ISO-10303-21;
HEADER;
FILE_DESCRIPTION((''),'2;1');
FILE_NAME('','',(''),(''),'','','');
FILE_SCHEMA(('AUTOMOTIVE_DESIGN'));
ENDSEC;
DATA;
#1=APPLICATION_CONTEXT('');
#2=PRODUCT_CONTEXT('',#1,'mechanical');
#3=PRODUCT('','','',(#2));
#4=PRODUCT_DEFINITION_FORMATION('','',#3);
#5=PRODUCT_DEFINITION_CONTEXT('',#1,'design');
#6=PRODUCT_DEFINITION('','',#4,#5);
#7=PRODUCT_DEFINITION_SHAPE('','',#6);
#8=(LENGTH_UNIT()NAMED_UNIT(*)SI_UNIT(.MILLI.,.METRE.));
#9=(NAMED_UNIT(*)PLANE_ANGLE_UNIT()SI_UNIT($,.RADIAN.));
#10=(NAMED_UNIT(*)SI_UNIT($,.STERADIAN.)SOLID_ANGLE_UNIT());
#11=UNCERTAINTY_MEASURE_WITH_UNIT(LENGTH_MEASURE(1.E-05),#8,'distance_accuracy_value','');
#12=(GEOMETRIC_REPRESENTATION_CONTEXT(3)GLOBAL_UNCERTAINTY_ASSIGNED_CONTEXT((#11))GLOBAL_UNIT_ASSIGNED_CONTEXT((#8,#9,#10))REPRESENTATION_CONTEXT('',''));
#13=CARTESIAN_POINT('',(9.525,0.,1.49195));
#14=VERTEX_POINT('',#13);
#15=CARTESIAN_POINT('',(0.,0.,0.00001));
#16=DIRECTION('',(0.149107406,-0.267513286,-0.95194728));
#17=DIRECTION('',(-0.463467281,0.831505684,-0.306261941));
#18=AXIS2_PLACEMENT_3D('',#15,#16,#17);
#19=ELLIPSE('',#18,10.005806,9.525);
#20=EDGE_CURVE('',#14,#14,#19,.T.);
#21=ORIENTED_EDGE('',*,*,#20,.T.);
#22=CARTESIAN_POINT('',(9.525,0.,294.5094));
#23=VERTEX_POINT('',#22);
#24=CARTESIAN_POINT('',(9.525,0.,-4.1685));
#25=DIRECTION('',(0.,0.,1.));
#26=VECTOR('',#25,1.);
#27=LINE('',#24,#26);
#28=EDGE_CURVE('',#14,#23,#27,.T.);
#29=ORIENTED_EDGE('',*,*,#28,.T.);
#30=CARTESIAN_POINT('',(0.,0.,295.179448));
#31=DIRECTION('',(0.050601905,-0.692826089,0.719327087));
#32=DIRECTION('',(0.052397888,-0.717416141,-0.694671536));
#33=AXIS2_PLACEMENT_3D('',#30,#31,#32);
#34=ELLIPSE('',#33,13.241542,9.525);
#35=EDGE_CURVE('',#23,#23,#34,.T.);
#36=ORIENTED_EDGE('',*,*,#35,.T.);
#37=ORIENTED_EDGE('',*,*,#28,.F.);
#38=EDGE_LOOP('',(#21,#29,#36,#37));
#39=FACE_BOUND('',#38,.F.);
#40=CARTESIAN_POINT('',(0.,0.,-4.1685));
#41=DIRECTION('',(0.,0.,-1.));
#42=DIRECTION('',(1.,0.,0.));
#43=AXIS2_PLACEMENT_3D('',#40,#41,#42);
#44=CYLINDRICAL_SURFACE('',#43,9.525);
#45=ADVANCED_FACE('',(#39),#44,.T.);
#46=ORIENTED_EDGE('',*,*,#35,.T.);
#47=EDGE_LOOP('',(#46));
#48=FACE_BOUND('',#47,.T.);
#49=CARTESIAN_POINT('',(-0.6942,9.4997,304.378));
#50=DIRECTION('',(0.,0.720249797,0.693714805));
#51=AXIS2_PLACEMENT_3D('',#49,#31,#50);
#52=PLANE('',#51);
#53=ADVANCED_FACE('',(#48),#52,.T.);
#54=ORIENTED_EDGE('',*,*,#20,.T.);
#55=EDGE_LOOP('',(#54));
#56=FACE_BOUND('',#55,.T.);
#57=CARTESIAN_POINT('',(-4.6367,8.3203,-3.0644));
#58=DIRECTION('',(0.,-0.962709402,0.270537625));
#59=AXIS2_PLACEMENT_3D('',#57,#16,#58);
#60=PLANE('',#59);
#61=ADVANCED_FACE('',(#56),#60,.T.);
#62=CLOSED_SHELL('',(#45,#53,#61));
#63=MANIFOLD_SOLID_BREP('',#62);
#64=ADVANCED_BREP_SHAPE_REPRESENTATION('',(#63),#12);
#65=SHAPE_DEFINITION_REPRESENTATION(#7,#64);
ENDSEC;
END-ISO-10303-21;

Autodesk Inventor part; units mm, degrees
ref_plane "Start Plane" through (0, 0, -4.1685) normal (0, 0, 1) x (1, 0, 0)
ref_plane "End Plane" through (0, 0, 305.0239) normal (0, 0, 1) x (1, 0, 0)
sketch "Sketch" plane through (0, 0, 0) normal (0, 0, 1) x (1, 0, 0)
  circle A0 centre (0, 0) radius 9.525
  dimension "d0" = 19.05
extrude "Body" add sketch "Sketch" along normal up to surface (309.1925 mm away) from surface at -4.1685
sketch "Sketch2" plane through (0, 0, 0) normal (0, 0, 1) x (1, 0, 0)
  line L0 (0, 0) -> (10, 0)
ref_plane "Work Plane3" through (0, 0, 0) normal (0, -1, 0) x (1, 0, 0)
ref_plane "Work Plane4" through (-4.6367, 8.3203, -3.0644) normal (0.1491, -0.2675, -0.9519) x (0.5375, 0.83, -0.1491)
split "Split1" plane through (-4.6367, 8.3203, -3.0644) removes the side toward (0.1491, -0.2675, -0.9519)
ref_plane "Work Plane5" through (-0.6942, 9.4997, 304.378) normal (0.0506, -0.6928, 0.7193) x (0.9985, 0.0204, -0.0506)
split "Split2" plane through (-0.6942, 9.4997, 304.378) removes the side toward (0.0506, -0.6928, 0.7193)
sketch "Sketch3" plane through (0, 0, 0) normal (0, -1, 0) x (1, 0, 0)
  line L0 (-2, -4.1685) -> (12, -4.1685) projected
  line L1 (-2, 305.0239) -> (12, 305.0239) projected
  dimension "d7" = 309.1925
equation "\"d0\" = Diam"
equation "\"d1\" = G_L"
equation "\"Diam\" = 19.05"
equation "\"G_L\" = 307.4424"
equation "\"G_OFFSET_START\" = 4.16853"
equation "\"G_OFFSET_END\" = 9.84412"
equation "\"d4\" = -G_OFFSET_START"
equation "\"d5\" = G_OFFSET_END + B_L"
equation "\"B_L\" = 295.17982"
properties part number "ANSI/AISC Rolled Steel - 3/4-12.104, RB" material "Steel, Mild"
